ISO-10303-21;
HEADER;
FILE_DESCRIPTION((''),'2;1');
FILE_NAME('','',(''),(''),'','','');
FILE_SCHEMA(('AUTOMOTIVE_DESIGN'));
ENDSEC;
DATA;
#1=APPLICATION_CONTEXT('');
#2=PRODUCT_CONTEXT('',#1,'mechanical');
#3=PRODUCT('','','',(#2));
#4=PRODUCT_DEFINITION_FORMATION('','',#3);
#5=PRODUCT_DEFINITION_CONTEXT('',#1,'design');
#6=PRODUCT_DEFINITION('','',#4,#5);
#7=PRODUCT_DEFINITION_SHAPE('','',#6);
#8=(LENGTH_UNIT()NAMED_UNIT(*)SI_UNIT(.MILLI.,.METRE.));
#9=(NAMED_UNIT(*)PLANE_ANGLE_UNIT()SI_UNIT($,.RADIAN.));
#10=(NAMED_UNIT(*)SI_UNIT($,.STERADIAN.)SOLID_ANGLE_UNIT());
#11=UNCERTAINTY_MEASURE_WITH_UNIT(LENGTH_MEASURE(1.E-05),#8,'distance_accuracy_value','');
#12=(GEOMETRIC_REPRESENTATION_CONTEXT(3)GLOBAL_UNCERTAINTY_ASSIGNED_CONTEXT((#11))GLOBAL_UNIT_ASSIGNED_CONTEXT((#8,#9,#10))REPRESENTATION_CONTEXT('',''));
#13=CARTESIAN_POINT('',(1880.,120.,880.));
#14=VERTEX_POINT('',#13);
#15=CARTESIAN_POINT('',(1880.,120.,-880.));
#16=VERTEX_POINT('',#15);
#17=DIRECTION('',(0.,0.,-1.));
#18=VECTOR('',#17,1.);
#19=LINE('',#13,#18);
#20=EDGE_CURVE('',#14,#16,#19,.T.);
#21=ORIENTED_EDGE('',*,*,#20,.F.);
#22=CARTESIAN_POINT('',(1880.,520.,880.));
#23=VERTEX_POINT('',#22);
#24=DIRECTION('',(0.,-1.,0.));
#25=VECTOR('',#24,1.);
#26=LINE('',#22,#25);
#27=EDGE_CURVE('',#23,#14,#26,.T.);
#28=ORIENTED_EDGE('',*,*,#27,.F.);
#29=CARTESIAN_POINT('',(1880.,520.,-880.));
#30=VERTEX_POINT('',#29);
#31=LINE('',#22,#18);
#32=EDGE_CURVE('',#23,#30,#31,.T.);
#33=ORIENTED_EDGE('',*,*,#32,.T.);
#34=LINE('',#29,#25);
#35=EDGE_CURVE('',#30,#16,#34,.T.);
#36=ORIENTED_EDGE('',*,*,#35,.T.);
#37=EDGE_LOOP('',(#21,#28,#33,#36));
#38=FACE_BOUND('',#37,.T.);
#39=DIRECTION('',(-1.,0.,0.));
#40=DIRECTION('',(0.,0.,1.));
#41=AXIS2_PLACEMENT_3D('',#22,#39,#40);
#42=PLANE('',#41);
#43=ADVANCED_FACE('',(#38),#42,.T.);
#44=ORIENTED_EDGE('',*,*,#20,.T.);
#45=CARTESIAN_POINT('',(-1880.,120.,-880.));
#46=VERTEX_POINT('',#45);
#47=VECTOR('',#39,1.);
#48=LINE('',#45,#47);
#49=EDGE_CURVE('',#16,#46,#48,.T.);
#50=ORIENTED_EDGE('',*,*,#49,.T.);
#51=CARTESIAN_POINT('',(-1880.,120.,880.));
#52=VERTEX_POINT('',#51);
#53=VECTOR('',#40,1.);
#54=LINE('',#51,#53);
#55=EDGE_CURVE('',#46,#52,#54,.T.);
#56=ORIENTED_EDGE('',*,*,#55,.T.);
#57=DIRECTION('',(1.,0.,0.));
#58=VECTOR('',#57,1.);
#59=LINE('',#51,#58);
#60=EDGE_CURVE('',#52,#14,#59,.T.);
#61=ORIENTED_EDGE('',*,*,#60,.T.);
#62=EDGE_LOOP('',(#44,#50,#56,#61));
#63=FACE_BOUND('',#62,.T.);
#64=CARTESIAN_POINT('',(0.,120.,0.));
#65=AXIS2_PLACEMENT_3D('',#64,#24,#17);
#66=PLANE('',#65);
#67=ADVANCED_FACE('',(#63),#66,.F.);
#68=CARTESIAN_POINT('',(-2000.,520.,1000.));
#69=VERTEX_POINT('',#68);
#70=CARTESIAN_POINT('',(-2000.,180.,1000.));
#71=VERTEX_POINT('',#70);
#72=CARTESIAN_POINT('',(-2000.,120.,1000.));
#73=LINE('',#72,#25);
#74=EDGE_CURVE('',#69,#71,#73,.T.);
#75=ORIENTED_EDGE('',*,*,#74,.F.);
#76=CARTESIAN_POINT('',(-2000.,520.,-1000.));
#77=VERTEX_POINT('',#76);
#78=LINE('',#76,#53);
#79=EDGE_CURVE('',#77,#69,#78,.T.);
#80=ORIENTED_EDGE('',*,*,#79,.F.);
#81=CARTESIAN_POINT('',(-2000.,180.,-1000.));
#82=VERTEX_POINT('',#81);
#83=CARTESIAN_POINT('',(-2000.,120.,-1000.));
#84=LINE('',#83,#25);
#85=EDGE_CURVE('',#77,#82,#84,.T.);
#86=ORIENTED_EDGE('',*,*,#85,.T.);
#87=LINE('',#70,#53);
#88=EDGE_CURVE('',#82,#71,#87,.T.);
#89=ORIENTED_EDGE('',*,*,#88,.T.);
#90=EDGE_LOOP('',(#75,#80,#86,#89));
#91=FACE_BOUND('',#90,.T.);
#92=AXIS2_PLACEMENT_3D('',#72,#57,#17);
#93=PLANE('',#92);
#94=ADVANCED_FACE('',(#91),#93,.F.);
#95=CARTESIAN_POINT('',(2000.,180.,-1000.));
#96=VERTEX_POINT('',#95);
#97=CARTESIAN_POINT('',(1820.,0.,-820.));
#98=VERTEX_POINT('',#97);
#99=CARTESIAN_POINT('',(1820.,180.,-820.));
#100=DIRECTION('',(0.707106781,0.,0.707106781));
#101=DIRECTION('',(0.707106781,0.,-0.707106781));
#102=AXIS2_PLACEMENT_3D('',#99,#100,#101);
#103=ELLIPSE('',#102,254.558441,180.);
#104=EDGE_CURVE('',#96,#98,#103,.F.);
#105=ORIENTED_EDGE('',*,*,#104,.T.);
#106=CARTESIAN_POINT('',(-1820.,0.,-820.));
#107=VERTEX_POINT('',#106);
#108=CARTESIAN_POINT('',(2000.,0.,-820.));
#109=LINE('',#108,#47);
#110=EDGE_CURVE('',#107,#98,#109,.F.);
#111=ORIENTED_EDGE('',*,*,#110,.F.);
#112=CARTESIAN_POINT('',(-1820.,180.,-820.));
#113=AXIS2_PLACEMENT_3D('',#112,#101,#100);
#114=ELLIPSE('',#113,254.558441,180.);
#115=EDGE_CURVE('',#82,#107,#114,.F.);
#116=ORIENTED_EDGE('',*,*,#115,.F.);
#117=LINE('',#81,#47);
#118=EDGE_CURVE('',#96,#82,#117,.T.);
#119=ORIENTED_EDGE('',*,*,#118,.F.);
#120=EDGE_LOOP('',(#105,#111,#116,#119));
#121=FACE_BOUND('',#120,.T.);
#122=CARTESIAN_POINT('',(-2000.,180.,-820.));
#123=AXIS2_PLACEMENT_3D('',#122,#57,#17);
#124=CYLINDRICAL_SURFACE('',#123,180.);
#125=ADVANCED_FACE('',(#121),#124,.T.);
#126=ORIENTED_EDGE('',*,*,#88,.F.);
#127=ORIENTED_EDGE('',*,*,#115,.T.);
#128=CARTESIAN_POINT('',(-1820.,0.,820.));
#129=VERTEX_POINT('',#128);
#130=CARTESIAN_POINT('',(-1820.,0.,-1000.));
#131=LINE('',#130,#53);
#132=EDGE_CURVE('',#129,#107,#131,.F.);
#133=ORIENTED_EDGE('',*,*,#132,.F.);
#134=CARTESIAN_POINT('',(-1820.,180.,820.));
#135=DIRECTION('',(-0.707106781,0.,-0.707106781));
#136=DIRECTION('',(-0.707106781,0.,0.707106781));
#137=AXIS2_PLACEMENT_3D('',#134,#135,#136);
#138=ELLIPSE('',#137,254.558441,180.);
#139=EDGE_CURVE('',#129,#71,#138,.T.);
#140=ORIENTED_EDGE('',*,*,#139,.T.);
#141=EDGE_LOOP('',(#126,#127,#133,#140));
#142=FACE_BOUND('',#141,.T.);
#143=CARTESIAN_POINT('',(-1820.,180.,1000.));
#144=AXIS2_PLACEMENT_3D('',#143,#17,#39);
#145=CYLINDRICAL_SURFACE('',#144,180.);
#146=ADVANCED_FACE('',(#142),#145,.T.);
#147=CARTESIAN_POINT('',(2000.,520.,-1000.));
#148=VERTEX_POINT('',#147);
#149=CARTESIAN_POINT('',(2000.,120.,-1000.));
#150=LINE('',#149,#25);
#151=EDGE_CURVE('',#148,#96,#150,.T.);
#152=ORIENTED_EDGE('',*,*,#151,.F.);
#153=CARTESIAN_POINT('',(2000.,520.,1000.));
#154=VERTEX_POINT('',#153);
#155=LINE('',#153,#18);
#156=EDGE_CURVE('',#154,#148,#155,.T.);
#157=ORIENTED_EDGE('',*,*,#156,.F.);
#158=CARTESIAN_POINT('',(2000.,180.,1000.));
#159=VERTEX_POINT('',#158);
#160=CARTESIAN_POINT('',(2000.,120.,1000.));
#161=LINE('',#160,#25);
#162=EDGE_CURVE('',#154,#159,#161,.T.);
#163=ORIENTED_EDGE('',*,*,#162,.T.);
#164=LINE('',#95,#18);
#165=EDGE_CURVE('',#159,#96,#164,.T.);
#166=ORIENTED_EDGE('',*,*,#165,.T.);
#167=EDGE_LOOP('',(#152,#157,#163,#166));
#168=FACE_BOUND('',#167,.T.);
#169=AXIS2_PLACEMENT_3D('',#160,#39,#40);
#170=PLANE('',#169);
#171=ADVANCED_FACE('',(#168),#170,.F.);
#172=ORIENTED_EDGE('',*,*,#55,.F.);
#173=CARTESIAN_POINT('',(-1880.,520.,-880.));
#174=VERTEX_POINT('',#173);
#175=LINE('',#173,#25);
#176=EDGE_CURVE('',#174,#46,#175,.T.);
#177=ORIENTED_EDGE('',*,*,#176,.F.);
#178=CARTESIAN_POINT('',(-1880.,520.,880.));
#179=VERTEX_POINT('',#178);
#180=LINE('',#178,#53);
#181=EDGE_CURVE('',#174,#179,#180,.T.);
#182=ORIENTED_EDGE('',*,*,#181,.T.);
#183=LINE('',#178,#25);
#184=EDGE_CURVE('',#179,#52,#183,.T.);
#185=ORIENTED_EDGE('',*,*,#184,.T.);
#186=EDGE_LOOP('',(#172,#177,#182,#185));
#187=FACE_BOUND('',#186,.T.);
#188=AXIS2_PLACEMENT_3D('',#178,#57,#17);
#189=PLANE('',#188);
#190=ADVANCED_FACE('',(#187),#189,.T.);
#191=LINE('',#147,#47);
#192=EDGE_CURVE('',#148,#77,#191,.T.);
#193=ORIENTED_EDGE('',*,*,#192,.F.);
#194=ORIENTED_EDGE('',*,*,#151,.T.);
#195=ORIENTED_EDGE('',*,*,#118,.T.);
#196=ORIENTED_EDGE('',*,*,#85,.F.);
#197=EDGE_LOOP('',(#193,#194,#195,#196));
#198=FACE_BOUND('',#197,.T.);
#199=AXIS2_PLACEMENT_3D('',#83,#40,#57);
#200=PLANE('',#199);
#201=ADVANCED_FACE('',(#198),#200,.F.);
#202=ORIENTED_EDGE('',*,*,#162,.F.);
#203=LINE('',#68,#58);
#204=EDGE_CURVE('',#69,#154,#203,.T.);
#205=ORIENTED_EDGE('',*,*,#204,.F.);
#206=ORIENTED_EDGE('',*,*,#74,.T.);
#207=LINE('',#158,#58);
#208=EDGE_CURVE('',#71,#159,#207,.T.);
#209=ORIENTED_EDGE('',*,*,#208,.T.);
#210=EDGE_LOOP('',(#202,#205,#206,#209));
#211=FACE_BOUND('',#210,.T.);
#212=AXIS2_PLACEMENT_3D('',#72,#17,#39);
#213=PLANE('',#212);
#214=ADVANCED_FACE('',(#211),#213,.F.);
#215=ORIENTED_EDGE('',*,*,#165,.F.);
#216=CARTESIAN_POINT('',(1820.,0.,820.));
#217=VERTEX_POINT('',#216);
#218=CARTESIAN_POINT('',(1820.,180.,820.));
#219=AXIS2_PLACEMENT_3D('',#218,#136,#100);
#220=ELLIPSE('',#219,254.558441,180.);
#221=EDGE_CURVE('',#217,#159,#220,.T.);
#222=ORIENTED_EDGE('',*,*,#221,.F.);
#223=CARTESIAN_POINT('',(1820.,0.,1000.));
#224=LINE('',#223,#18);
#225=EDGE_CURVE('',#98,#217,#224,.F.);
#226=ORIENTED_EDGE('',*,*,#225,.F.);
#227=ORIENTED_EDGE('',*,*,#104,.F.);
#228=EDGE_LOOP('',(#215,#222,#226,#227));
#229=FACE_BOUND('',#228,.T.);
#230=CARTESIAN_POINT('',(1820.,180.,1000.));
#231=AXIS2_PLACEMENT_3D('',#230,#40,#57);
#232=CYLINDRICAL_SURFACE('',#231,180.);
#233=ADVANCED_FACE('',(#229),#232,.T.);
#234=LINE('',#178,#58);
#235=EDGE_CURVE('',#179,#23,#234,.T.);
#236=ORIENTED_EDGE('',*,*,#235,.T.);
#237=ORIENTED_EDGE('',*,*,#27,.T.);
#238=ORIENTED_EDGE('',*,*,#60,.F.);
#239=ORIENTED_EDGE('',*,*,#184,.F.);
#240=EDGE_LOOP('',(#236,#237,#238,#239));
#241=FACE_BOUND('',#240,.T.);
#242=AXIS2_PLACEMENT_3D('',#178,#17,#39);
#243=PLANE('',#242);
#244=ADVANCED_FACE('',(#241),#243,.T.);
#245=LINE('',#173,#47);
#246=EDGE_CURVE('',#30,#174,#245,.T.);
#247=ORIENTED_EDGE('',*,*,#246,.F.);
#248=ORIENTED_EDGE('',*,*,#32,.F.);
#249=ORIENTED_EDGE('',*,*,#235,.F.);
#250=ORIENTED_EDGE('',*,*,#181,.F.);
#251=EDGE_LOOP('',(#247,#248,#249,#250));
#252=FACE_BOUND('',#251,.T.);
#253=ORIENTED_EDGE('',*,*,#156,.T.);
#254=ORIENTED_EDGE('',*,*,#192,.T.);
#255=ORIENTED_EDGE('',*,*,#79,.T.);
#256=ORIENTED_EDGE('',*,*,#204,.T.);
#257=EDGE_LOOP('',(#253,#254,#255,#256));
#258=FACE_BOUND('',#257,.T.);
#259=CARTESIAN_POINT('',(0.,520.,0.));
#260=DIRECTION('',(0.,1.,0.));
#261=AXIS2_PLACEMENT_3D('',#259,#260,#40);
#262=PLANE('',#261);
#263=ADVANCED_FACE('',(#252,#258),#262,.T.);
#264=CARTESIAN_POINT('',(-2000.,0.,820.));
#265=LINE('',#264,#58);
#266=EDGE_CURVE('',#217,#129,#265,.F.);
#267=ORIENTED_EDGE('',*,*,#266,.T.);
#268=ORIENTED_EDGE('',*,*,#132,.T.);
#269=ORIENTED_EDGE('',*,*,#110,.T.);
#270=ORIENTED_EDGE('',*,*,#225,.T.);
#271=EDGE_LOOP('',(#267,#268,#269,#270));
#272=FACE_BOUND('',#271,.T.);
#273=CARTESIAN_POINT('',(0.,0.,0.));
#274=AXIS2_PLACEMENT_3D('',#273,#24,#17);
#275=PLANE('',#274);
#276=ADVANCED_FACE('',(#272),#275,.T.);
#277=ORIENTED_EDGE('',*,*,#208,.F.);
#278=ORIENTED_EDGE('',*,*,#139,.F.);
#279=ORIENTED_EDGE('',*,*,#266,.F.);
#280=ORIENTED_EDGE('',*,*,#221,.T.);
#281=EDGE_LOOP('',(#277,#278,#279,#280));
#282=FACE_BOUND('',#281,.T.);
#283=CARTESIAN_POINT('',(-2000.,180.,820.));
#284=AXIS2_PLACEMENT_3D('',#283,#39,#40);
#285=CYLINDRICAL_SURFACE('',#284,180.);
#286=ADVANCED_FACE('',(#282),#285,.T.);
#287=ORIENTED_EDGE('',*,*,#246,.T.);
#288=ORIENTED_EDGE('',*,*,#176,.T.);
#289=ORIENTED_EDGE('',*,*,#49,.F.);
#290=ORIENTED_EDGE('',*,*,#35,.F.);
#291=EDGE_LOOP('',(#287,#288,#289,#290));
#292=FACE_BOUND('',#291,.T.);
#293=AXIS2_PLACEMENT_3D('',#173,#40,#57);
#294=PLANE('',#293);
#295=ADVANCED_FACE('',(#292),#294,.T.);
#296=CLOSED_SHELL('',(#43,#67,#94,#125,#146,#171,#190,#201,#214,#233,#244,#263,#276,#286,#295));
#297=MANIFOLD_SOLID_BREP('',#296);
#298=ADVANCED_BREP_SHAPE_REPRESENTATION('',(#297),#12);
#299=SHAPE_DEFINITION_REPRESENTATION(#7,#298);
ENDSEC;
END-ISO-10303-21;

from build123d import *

# Parameters (mm, degrees)
SKETCH1_W           = 4000
SKETCH1_H           = 2000
BOSS_EXTRUDE2_DEPTH = 120
SKETCH2_W           = 4000
SKETCH2_H           = 2000
SKETCH2_W_2         = 3760
SKETCH2_H_2         = 1760
BOSS_EXTRUDE3_DEPTH = 400
FILLET1_R           = 180


with BuildPart() as part:
    # Sketch1 → Boss-Extrude2 (new body)
    with BuildSketch(Plane(origin=(0, 0, 0), x_dir=(1, 0, 0), z_dir=(0, 1, 0))):
        Rectangle(SKETCH1_W, SKETCH1_H)
    extrude(amount=BOSS_EXTRUDE2_DEPTH)

    # Sketch2 → Boss-Extrude3 (add)
    with BuildSketch(Plane(origin=(0, 120, 0), x_dir=(1, 0, 0), z_dir=(0, 1, 0))):
        Rectangle(SKETCH2_W, SKETCH2_H)
        Rectangle(SKETCH2_W_2, SKETCH2_H_2, mode=Mode.SUBTRACT)
    extrude(amount=BOSS_EXTRUDE3_DEPTH)

    # Fillet1
    fillet1_edges = [part.edges().sort_by_distance(p)[0] for p in [
        (0, 0, 1000),
        (-2000, 0, 0),
        (0, 0, -1000),
        (2000, 0, 0),
    ]]
    fillet(fillet1_edges, radius=FILLET1_R)


solid = part.part
